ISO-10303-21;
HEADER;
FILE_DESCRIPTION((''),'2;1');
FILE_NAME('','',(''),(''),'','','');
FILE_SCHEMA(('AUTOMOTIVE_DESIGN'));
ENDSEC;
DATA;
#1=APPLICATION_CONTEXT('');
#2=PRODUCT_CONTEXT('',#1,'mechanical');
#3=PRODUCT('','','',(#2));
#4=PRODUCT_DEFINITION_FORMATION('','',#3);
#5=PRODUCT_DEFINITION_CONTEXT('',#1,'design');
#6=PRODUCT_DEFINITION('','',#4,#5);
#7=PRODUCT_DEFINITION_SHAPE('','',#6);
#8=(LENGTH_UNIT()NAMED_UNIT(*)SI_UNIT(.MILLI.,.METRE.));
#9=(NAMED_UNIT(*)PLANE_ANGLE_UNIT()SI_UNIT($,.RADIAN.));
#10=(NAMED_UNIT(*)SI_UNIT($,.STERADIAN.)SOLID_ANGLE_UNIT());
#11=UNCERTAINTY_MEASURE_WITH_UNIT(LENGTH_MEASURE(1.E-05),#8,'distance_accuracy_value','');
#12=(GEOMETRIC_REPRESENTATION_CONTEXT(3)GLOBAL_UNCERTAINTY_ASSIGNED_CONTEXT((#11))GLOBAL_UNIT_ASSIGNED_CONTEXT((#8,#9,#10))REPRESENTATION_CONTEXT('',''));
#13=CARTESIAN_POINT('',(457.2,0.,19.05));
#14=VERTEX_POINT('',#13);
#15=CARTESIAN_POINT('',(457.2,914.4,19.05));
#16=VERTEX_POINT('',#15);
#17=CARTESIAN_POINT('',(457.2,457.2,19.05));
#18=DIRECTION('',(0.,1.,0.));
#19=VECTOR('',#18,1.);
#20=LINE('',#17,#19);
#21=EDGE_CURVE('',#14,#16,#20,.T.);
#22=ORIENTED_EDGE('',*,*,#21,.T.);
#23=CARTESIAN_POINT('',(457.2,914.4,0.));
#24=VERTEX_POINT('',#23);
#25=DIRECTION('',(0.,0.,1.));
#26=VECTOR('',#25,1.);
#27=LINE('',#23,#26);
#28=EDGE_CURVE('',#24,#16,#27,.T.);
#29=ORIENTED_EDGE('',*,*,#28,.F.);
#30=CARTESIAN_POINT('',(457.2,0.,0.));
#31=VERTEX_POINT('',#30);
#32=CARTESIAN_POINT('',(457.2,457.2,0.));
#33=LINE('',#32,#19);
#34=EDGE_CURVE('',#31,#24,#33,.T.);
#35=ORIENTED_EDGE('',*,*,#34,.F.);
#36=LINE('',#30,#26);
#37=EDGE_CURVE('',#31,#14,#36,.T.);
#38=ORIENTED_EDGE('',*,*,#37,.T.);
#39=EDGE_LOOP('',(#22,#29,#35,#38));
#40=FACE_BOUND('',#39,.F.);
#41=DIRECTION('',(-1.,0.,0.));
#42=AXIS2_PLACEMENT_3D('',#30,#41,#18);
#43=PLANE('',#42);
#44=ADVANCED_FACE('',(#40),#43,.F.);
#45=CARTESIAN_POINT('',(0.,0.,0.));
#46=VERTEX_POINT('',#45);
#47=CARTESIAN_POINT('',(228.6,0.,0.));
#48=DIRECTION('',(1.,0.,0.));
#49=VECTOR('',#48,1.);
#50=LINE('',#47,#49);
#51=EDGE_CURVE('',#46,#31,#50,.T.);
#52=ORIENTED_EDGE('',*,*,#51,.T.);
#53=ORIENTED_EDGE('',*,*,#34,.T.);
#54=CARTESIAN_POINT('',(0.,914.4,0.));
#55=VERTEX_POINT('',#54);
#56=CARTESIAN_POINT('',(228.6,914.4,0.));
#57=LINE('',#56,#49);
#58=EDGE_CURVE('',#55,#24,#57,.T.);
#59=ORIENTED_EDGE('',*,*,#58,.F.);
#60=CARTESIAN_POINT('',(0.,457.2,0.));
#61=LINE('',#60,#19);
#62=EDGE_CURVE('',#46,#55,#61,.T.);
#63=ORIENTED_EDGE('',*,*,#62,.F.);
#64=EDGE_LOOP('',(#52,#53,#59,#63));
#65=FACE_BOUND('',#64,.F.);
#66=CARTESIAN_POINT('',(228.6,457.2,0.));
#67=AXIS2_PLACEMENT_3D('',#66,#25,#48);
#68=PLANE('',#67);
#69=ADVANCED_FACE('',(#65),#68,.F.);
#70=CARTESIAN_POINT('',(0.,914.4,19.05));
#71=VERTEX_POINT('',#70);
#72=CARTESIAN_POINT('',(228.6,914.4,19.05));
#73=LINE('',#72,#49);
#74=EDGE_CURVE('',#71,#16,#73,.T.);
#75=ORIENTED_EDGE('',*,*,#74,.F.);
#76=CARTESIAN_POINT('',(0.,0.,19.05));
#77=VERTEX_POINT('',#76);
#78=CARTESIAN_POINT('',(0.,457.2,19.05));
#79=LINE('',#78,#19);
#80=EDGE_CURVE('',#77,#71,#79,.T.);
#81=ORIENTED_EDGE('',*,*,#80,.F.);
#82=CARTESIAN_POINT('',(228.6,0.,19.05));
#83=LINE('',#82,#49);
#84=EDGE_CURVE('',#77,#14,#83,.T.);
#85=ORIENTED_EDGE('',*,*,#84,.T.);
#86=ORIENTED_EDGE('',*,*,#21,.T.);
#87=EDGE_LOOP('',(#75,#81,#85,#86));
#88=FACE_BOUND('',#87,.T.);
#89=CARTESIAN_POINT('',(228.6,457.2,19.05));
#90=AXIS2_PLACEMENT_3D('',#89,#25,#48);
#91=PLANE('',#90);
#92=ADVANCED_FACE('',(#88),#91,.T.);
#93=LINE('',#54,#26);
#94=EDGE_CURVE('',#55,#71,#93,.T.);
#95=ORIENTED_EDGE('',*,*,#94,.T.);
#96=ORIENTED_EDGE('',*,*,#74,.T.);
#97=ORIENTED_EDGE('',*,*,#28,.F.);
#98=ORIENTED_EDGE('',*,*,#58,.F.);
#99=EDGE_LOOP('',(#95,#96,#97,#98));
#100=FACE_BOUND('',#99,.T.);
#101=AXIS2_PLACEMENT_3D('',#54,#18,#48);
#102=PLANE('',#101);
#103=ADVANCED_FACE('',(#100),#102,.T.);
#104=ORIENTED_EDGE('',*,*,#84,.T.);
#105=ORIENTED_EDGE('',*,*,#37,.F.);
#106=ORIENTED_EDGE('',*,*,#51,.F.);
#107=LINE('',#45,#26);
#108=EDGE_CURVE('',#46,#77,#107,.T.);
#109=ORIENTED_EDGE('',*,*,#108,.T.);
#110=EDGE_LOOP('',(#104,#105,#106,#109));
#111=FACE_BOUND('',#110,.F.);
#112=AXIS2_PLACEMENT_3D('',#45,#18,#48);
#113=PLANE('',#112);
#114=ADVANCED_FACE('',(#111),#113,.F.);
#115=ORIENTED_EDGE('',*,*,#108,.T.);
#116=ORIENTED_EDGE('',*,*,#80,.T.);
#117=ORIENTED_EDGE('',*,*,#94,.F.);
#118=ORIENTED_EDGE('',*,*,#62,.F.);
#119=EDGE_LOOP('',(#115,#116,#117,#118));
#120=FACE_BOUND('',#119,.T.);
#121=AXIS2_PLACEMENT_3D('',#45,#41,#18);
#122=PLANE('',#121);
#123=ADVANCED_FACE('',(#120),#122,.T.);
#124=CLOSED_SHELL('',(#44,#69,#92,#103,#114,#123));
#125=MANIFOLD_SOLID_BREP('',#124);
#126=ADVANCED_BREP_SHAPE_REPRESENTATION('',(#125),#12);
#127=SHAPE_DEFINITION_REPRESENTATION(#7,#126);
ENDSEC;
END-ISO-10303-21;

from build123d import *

# Parameters (mm, degrees)
SKETCH_W  = 457.2
SKETCH_H  = 914.4
PAD_DEPTH = 19.05


with BuildPart() as part:
    # Sketch → Pad (new body)
    with BuildSketch(Plane.XY):
        with Locations((228.6, 457.2)):
            Rectangle(SKETCH_W, SKETCH_H)
    extrude(amount=PAD_DEPTH)


solid = part.part
